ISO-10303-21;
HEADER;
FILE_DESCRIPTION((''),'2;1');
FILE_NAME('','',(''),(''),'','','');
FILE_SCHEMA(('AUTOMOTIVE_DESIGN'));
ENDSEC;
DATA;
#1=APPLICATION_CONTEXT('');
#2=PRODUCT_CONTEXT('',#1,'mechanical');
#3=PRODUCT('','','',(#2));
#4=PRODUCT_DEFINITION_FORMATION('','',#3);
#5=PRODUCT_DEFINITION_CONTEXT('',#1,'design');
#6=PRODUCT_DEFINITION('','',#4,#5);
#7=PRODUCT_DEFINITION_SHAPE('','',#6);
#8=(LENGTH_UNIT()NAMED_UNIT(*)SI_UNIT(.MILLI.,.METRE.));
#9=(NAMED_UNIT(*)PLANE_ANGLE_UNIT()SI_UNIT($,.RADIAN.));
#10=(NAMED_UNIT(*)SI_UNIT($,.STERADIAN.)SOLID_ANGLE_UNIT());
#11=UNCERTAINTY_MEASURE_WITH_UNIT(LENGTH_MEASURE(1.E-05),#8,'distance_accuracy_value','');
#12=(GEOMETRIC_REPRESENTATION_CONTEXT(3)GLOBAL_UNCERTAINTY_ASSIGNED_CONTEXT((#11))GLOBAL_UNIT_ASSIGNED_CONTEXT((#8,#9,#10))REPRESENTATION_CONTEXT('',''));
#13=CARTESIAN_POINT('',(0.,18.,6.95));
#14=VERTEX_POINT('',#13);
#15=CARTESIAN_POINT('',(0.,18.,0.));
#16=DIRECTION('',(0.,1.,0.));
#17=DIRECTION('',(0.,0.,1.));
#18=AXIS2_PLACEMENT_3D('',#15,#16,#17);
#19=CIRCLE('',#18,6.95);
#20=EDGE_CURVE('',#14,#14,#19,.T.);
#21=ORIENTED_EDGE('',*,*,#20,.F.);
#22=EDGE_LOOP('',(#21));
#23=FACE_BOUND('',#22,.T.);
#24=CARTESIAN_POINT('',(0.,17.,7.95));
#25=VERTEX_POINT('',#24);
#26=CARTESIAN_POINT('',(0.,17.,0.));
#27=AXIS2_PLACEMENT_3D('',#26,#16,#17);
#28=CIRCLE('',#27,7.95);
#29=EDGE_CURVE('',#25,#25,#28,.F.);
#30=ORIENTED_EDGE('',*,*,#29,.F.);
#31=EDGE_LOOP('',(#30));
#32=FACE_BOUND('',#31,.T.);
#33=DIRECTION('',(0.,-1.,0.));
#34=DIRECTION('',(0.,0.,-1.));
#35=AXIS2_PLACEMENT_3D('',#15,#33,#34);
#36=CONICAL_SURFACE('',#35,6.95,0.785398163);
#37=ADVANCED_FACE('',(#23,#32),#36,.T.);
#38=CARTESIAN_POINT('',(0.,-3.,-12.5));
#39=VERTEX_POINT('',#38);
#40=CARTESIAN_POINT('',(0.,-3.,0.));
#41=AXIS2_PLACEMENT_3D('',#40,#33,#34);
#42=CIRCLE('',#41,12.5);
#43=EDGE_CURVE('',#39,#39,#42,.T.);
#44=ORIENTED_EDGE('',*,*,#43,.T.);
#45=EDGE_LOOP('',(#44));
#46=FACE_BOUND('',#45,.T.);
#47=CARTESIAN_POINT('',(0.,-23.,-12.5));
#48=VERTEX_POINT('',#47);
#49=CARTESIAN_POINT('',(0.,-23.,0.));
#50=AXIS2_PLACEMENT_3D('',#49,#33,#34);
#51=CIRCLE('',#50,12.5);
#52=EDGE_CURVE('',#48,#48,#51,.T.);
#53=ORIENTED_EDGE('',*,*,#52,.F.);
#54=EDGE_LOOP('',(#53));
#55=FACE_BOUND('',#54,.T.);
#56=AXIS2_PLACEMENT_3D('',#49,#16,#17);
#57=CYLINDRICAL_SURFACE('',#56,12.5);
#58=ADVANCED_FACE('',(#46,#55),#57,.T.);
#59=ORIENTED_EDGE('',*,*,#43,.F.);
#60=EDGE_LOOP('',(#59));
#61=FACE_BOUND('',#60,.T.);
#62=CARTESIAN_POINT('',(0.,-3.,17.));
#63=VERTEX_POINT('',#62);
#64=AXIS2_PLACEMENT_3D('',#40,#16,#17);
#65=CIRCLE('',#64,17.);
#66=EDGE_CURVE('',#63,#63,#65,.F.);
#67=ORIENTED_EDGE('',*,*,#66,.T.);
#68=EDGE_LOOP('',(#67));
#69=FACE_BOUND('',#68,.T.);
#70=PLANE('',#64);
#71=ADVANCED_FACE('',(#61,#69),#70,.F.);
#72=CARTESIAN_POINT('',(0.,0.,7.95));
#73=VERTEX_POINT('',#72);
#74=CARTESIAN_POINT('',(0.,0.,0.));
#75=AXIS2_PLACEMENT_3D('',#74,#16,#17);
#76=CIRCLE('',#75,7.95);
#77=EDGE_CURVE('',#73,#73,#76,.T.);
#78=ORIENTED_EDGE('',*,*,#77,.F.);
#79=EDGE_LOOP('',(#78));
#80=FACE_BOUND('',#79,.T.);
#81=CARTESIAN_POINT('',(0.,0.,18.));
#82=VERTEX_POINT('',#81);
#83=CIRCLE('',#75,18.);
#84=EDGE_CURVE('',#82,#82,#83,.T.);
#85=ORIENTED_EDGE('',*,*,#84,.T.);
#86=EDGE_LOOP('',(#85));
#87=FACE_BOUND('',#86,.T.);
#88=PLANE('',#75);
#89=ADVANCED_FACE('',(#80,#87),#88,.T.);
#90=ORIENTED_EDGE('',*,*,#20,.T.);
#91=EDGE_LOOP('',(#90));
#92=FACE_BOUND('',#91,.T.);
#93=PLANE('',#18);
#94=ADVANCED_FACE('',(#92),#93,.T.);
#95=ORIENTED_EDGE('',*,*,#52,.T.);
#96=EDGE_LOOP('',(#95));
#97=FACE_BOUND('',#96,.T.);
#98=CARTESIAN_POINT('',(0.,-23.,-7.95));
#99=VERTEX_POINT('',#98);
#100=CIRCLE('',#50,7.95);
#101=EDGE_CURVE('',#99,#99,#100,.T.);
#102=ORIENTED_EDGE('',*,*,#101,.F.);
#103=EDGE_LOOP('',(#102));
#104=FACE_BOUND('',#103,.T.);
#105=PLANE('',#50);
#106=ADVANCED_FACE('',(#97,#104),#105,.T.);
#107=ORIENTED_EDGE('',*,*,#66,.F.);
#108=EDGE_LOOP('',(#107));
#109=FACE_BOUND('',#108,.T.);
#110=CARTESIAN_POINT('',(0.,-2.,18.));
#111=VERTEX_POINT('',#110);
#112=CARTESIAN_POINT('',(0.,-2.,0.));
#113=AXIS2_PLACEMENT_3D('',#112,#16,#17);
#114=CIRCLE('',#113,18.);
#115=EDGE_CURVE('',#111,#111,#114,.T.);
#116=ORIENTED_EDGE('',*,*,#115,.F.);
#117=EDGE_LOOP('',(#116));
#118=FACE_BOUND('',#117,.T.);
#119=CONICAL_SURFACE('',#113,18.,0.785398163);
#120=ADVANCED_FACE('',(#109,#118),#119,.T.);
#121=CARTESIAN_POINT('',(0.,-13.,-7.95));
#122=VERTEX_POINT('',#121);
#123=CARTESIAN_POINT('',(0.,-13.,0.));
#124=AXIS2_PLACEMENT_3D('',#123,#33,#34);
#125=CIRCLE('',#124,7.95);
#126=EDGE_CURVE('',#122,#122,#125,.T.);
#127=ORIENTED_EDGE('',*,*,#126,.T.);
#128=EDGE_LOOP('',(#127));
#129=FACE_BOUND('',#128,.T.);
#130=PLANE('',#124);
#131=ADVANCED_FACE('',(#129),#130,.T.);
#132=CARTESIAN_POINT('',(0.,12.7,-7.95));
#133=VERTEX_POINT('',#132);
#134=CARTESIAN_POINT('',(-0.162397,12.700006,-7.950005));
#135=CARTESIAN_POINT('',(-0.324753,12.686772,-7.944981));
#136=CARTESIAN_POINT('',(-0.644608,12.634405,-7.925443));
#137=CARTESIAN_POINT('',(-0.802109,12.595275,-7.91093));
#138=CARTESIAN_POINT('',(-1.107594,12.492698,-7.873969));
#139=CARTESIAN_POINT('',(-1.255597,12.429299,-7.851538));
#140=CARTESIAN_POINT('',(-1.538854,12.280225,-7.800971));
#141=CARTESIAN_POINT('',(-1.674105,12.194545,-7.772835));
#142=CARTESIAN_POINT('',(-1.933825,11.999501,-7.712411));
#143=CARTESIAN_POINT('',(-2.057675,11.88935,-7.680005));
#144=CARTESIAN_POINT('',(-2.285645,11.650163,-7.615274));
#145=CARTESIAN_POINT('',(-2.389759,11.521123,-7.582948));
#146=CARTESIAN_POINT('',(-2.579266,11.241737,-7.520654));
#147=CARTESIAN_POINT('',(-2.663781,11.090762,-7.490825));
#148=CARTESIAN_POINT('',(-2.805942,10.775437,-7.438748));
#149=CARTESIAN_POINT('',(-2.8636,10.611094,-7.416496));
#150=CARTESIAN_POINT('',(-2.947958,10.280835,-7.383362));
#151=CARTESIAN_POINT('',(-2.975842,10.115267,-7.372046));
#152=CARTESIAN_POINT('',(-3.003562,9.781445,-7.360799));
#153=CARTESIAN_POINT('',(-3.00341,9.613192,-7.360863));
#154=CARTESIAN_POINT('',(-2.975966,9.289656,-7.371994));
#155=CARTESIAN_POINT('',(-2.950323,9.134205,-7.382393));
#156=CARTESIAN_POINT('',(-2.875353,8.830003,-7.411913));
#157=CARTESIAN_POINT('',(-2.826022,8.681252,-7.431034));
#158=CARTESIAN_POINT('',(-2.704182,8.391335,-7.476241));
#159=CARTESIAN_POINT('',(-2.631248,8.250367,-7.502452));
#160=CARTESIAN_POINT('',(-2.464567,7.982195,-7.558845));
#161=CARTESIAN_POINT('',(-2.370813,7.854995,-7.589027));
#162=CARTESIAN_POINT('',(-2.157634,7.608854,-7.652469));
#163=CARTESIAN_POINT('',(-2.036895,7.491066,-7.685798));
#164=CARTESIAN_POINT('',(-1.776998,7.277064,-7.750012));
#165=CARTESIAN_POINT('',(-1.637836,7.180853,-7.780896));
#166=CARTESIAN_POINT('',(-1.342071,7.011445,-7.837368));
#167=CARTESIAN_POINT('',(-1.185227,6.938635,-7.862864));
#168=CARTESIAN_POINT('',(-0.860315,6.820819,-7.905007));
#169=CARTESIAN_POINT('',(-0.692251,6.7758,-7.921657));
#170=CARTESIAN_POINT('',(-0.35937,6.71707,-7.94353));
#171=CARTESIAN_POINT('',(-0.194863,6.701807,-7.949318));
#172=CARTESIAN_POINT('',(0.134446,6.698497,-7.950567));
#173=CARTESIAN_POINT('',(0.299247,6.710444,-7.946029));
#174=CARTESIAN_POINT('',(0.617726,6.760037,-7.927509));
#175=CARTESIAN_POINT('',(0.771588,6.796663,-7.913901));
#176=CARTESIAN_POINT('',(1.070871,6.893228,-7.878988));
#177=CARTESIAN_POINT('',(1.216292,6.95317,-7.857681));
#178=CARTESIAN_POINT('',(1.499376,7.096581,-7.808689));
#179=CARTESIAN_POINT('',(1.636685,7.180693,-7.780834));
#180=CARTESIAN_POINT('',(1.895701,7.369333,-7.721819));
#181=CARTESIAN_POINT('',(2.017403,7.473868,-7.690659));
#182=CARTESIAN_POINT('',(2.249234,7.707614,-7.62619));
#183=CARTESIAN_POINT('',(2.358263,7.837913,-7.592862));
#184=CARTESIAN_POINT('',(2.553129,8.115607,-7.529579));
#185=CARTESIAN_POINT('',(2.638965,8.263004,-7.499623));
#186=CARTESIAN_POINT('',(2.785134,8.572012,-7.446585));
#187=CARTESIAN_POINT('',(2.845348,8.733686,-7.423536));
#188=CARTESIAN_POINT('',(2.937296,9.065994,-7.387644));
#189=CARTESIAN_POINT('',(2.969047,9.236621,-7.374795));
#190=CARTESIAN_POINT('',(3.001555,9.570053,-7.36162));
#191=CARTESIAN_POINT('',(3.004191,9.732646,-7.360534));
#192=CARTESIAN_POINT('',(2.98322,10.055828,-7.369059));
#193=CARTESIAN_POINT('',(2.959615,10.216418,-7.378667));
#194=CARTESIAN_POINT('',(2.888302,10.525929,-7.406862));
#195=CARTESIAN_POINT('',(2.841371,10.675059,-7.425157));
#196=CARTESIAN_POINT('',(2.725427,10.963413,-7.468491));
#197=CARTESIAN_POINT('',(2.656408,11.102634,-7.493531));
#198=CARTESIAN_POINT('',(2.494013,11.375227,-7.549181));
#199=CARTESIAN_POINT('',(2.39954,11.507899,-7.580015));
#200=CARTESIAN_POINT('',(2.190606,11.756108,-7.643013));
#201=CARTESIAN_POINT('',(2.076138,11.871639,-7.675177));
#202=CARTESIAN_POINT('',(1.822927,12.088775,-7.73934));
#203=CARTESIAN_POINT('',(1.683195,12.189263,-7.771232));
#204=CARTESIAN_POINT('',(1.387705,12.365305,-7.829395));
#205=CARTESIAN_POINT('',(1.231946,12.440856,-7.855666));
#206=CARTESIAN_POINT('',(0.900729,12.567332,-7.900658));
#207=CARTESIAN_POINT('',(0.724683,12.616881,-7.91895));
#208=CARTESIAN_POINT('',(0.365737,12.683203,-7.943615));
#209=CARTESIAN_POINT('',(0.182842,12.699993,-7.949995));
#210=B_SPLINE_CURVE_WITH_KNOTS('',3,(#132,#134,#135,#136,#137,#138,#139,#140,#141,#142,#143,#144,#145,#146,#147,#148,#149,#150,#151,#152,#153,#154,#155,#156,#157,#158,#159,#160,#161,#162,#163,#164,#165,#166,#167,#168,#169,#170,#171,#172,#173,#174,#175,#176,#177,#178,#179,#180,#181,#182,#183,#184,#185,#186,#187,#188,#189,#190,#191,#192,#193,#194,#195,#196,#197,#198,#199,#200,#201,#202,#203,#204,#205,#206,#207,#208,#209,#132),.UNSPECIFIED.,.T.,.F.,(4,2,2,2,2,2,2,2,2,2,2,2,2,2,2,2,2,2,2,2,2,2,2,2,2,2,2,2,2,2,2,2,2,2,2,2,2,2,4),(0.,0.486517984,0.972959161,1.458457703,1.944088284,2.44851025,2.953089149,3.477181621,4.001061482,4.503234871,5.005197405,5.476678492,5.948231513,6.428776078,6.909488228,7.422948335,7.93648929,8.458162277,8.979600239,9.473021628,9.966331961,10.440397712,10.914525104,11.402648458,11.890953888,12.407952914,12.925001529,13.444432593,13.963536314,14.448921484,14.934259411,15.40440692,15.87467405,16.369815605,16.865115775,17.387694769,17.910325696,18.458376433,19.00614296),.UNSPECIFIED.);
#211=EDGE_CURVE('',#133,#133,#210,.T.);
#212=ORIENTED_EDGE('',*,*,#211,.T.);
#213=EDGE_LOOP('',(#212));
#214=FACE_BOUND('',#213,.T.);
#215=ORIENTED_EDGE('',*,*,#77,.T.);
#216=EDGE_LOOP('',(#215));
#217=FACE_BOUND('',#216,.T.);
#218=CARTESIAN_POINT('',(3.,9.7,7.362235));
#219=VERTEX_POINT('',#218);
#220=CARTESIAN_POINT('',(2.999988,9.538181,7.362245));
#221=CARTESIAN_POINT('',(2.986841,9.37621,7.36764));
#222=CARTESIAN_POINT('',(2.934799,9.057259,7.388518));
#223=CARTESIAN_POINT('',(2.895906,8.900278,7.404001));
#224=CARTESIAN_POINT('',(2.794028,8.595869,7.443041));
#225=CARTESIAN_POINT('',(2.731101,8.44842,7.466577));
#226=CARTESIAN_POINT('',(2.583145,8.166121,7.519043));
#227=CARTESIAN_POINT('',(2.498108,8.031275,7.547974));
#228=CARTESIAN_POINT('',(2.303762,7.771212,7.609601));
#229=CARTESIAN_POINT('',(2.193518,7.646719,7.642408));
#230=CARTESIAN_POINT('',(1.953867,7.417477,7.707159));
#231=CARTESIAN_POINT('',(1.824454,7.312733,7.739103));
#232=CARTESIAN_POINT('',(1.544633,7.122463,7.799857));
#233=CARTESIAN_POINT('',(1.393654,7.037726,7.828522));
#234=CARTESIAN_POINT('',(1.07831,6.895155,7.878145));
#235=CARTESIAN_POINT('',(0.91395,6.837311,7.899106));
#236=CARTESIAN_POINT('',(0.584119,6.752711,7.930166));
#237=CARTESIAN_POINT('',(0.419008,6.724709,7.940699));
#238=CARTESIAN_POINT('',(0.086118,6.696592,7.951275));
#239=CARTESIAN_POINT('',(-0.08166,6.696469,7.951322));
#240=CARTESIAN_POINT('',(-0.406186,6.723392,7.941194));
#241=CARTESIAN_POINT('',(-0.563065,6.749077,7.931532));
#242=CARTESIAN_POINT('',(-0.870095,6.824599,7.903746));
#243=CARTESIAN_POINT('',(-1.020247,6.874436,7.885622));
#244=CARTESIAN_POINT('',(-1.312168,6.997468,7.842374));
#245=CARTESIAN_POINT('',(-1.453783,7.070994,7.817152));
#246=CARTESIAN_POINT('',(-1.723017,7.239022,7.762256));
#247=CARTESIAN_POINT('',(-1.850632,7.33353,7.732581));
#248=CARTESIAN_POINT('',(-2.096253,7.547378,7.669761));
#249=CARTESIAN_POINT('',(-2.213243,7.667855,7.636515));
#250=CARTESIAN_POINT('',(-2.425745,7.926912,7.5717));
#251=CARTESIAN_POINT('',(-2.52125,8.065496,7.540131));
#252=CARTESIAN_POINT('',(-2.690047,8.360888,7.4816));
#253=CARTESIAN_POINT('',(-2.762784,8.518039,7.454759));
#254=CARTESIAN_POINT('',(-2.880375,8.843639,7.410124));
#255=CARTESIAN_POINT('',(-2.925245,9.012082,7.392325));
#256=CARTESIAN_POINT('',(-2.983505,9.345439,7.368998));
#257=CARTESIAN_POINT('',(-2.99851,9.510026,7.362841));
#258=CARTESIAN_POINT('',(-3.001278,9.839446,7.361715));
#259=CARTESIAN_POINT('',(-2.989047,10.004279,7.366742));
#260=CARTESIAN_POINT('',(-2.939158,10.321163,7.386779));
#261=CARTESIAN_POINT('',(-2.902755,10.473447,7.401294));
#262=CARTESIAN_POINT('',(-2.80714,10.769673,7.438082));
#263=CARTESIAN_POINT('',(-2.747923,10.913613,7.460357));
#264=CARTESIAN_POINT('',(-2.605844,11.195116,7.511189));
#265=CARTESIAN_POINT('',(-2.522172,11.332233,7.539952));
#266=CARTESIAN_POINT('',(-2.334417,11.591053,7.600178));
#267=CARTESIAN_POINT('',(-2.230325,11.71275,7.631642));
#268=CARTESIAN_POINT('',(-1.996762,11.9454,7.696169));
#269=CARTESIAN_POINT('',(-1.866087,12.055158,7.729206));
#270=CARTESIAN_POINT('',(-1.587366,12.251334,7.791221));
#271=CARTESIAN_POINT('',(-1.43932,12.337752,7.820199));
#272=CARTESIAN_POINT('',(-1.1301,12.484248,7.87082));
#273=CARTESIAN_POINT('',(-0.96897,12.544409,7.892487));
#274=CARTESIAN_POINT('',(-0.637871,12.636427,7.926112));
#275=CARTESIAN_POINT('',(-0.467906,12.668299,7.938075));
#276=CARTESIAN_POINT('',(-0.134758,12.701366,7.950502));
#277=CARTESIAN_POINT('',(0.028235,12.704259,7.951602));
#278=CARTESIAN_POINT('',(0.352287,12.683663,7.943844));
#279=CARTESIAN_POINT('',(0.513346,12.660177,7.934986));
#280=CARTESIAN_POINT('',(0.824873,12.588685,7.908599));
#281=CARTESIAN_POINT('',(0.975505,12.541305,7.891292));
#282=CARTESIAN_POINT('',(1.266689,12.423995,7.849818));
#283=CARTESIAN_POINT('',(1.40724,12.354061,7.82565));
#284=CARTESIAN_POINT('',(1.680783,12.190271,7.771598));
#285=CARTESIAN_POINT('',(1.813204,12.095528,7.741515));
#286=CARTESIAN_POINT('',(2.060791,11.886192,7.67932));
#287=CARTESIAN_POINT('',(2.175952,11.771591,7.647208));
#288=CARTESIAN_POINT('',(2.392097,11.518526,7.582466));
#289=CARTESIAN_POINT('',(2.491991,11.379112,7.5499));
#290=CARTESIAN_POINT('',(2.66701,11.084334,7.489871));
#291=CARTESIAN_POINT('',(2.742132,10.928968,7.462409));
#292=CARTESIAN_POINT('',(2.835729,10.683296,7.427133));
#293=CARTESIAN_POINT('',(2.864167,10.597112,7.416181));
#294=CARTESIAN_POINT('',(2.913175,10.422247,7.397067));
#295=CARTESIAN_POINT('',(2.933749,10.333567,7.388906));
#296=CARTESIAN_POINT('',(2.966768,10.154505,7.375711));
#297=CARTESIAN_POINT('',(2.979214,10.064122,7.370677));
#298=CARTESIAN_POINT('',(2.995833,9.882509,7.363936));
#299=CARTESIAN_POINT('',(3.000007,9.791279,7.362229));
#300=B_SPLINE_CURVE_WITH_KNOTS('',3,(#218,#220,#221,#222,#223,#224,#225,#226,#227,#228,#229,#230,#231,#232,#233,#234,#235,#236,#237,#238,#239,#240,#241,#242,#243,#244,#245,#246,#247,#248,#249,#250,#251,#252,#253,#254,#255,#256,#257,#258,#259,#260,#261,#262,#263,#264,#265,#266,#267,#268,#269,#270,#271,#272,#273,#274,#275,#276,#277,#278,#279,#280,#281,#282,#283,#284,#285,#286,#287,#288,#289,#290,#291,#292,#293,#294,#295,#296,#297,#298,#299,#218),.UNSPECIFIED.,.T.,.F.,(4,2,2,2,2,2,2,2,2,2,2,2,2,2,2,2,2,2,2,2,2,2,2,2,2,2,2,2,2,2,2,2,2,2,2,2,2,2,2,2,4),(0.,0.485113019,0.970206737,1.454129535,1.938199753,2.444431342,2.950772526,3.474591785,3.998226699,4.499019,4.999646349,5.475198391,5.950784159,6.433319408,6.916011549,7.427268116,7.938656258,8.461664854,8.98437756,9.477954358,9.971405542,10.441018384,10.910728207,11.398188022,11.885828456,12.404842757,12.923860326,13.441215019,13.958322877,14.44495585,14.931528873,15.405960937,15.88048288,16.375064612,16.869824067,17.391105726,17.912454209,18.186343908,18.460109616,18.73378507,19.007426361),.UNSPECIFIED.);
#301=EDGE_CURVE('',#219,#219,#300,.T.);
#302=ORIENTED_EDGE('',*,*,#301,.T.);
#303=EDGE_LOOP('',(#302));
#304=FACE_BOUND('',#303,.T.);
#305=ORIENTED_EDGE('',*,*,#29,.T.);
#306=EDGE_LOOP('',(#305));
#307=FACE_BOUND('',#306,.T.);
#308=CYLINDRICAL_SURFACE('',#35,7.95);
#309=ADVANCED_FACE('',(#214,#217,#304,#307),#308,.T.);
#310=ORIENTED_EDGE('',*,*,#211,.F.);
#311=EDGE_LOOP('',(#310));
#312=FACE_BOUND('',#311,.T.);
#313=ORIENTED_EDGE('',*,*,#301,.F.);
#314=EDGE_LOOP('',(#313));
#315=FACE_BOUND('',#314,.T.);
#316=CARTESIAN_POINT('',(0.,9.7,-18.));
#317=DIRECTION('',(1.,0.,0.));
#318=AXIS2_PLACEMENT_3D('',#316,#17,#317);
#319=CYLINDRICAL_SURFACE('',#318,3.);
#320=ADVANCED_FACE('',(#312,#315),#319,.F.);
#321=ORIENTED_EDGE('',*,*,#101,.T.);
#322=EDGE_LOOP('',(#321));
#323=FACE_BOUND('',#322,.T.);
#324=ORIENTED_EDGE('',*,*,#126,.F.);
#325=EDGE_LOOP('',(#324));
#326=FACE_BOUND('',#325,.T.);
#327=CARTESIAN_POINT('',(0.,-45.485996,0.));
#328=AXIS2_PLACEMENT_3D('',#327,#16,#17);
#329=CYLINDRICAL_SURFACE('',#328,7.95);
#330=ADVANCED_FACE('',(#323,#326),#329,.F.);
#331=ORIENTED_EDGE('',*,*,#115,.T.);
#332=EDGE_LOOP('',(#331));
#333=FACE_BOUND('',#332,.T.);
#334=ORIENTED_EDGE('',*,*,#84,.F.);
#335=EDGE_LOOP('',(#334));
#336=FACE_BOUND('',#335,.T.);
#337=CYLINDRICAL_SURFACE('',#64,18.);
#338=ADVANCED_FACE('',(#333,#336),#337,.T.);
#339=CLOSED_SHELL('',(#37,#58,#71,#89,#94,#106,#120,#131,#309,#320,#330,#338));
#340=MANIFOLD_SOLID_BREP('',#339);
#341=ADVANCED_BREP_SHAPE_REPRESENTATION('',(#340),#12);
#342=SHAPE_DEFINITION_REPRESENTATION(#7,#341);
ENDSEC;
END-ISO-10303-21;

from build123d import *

# Parameters (mm, degrees)
SKETCH_1_R               = 7.95
EXTRUDE_1_DEPTH          = 18
CHAMFER_2_SIZE           = 1
SKETCH_4_R               = 18
EXTRUDE_2_DEPTH          = 3
CHAMFER_1_SIZE           = 1
SKETCH_5_R               = 12.5
EXTRUDE_3_DEPTH          = 20
CUT_EXTRUDE_2_DEPTH      = 35.307433597
CUT_EXTRUDE_2_DEPTH_BACK = 35.307433597
SKETCH_9_R               = 3
CUT_EXTRUDE_START        = 20
SKETCH_10_R              = 7.95
CUT_EXTRUDE_3_DEPTH      = 10


with BuildPart() as part:
    # 草图1 → 凸台-拉伸1 (new body)
    with BuildSketch(Plane(origin=(0, 0, 0), x_dir=(1, 0, 0), z_dir=(0, 1, 0))):
        with Locations(Location((0, 0, 0), (0, 0, 270))):
            Circle(SKETCH_1_R)
    extrude(amount=EXTRUDE_1_DEPTH)

    # 倒角2
    chamfer_2_edges = [part.edges().sort_by_distance(p)[0] for p in [
        (0, 18, -7.95),
    ]]
    chamfer(chamfer_2_edges, length=CHAMFER_2_SIZE)

    # 草图4 → 凸台-拉伸2 (add)
    with BuildSketch(Plane(origin=(0, 0, 0), x_dir=(1, 0, 0), z_dir=(0, 1, 0))):
        with Locations(Location((0, 0, 0), (0, 0, 270))):
            Circle(SKETCH_4_R)
    extrude(amount=-EXTRUDE_2_DEPTH)

    # 倒角1
    chamfer_1_edges = [part.edges().sort_by_distance(p)[0] for p in [
        (0, -3, -18),
    ]]
    chamfer(chamfer_1_edges, length=CHAMFER_1_SIZE)

    # 草图5 → 凸台-拉伸3 (add)
    with BuildSketch(Plane(origin=(0, -3, 0), x_dir=(-1, 0, 0), z_dir=(0, -1, 0))):
        with Locations(Location((0, 0, 0), (0, 0, 90))):
            Circle(SKETCH_5_R)
    extrude(amount=EXTRUDE_3_DEPTH)

    # 草图9 → 切除-拉伸2 (cut, two sides: drawn at the far end of the back side and taken through both)
    with BuildSketch(Plane.XY.offset(-CUT_EXTRUDE_2_DEPTH_BACK)):
        with Locations(Location((0, 9.7, 0), (0, 0, 89.999999999))):
            Circle(SKETCH_9_R)
    extrude(amount=CUT_EXTRUDE_2_DEPTH + CUT_EXTRUDE_2_DEPTH_BACK, mode=Mode.SUBTRACT)

    # 草图10 → 切除-拉伸3 (cut)
    with BuildSketch(Plane(origin=(0, -3, 0), x_dir=(-1, 0, 0), z_dir=(0, -1, 0)).offset(CUT_EXTRUDE_START)):
        with Locations(Location((0, 0, 0), (0, 0, 270))):
            Circle(SKETCH_10_R)
    extrude(amount=-CUT_EXTRUDE_3_DEPTH, mode=Mode.SUBTRACT)


solid = part.part
